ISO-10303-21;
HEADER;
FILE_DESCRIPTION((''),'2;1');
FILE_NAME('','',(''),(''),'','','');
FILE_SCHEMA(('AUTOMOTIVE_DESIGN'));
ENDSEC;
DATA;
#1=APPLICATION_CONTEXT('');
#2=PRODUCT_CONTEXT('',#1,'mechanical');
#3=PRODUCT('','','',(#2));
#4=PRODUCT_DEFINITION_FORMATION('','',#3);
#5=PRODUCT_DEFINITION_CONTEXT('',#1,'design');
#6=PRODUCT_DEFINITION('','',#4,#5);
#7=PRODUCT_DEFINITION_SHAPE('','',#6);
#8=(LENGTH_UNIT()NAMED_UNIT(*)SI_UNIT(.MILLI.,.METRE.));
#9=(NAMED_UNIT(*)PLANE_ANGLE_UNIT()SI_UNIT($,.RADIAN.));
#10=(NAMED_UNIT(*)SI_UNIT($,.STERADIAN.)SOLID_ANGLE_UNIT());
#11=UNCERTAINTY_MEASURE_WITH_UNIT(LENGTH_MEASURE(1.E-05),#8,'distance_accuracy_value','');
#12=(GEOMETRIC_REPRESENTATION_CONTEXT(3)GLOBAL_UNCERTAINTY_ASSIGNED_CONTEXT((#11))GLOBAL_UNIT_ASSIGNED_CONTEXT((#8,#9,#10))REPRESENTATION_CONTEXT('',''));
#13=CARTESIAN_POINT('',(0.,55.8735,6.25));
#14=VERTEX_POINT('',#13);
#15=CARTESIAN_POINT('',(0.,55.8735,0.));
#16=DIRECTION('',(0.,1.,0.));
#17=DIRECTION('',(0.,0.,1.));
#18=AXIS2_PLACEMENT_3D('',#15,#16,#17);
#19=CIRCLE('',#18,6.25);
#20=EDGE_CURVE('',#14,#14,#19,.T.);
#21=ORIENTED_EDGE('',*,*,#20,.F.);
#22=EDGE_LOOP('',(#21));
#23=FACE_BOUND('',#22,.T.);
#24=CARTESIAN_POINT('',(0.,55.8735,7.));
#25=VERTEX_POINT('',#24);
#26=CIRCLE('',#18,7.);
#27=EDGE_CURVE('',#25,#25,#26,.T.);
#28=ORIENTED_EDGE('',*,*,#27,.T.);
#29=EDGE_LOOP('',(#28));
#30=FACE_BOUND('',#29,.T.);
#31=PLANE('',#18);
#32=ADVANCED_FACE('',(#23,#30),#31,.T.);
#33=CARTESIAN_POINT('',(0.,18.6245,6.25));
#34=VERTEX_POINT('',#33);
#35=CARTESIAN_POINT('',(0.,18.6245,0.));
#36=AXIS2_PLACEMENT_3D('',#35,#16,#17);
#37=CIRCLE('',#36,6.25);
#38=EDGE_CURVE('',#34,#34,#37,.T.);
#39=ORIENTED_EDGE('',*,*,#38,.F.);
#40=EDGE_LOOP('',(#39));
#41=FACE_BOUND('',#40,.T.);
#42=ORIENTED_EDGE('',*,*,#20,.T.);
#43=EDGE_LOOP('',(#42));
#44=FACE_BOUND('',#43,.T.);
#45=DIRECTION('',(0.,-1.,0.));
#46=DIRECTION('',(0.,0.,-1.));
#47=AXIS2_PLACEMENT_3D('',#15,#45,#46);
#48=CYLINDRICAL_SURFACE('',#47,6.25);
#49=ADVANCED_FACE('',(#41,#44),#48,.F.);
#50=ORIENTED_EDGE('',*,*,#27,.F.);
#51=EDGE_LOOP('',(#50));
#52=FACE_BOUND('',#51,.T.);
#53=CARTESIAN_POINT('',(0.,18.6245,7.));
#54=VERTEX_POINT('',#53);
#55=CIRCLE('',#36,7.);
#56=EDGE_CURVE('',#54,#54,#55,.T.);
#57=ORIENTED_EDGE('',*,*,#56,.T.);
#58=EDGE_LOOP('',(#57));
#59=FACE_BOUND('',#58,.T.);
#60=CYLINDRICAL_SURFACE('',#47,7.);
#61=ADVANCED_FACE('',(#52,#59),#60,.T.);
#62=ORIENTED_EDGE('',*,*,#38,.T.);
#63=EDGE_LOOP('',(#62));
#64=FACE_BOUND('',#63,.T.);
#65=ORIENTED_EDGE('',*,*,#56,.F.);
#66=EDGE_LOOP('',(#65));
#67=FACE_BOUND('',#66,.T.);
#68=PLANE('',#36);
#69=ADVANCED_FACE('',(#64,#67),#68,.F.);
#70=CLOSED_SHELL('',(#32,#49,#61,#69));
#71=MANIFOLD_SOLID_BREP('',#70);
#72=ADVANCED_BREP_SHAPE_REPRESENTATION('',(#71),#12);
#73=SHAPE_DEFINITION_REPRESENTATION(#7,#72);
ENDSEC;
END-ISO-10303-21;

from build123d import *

# Parameters (mm, degrees)
SKETCH1_R           = 14
SKETCH1_R_2         = 12.5
BOSS_EXTRUDE1_DEPTH = 74.498
SCALE2_SCALE        = 0.5


with BuildPart() as part:
    # Sketch1 → Boss-Extrude1 (new body)
    with BuildSketch(Plane(origin=(0, 0, 0), x_dir=(1, 0, 0), z_dir=(0, 1, 0))):
        Circle(SKETCH1_R)
        Circle(SKETCH1_R_2, mode=Mode.SUBTRACT)
    extrude(amount=BOSS_EXTRUDE1_DEPTH)


with BuildPart() as part_1:
    # Scale2: scaled about (0, 37.249, 0)
    add(part.part.scale(SCALE2_SCALE).moved(Location((0, 18.6245, 0))))


solid = part_1.part
